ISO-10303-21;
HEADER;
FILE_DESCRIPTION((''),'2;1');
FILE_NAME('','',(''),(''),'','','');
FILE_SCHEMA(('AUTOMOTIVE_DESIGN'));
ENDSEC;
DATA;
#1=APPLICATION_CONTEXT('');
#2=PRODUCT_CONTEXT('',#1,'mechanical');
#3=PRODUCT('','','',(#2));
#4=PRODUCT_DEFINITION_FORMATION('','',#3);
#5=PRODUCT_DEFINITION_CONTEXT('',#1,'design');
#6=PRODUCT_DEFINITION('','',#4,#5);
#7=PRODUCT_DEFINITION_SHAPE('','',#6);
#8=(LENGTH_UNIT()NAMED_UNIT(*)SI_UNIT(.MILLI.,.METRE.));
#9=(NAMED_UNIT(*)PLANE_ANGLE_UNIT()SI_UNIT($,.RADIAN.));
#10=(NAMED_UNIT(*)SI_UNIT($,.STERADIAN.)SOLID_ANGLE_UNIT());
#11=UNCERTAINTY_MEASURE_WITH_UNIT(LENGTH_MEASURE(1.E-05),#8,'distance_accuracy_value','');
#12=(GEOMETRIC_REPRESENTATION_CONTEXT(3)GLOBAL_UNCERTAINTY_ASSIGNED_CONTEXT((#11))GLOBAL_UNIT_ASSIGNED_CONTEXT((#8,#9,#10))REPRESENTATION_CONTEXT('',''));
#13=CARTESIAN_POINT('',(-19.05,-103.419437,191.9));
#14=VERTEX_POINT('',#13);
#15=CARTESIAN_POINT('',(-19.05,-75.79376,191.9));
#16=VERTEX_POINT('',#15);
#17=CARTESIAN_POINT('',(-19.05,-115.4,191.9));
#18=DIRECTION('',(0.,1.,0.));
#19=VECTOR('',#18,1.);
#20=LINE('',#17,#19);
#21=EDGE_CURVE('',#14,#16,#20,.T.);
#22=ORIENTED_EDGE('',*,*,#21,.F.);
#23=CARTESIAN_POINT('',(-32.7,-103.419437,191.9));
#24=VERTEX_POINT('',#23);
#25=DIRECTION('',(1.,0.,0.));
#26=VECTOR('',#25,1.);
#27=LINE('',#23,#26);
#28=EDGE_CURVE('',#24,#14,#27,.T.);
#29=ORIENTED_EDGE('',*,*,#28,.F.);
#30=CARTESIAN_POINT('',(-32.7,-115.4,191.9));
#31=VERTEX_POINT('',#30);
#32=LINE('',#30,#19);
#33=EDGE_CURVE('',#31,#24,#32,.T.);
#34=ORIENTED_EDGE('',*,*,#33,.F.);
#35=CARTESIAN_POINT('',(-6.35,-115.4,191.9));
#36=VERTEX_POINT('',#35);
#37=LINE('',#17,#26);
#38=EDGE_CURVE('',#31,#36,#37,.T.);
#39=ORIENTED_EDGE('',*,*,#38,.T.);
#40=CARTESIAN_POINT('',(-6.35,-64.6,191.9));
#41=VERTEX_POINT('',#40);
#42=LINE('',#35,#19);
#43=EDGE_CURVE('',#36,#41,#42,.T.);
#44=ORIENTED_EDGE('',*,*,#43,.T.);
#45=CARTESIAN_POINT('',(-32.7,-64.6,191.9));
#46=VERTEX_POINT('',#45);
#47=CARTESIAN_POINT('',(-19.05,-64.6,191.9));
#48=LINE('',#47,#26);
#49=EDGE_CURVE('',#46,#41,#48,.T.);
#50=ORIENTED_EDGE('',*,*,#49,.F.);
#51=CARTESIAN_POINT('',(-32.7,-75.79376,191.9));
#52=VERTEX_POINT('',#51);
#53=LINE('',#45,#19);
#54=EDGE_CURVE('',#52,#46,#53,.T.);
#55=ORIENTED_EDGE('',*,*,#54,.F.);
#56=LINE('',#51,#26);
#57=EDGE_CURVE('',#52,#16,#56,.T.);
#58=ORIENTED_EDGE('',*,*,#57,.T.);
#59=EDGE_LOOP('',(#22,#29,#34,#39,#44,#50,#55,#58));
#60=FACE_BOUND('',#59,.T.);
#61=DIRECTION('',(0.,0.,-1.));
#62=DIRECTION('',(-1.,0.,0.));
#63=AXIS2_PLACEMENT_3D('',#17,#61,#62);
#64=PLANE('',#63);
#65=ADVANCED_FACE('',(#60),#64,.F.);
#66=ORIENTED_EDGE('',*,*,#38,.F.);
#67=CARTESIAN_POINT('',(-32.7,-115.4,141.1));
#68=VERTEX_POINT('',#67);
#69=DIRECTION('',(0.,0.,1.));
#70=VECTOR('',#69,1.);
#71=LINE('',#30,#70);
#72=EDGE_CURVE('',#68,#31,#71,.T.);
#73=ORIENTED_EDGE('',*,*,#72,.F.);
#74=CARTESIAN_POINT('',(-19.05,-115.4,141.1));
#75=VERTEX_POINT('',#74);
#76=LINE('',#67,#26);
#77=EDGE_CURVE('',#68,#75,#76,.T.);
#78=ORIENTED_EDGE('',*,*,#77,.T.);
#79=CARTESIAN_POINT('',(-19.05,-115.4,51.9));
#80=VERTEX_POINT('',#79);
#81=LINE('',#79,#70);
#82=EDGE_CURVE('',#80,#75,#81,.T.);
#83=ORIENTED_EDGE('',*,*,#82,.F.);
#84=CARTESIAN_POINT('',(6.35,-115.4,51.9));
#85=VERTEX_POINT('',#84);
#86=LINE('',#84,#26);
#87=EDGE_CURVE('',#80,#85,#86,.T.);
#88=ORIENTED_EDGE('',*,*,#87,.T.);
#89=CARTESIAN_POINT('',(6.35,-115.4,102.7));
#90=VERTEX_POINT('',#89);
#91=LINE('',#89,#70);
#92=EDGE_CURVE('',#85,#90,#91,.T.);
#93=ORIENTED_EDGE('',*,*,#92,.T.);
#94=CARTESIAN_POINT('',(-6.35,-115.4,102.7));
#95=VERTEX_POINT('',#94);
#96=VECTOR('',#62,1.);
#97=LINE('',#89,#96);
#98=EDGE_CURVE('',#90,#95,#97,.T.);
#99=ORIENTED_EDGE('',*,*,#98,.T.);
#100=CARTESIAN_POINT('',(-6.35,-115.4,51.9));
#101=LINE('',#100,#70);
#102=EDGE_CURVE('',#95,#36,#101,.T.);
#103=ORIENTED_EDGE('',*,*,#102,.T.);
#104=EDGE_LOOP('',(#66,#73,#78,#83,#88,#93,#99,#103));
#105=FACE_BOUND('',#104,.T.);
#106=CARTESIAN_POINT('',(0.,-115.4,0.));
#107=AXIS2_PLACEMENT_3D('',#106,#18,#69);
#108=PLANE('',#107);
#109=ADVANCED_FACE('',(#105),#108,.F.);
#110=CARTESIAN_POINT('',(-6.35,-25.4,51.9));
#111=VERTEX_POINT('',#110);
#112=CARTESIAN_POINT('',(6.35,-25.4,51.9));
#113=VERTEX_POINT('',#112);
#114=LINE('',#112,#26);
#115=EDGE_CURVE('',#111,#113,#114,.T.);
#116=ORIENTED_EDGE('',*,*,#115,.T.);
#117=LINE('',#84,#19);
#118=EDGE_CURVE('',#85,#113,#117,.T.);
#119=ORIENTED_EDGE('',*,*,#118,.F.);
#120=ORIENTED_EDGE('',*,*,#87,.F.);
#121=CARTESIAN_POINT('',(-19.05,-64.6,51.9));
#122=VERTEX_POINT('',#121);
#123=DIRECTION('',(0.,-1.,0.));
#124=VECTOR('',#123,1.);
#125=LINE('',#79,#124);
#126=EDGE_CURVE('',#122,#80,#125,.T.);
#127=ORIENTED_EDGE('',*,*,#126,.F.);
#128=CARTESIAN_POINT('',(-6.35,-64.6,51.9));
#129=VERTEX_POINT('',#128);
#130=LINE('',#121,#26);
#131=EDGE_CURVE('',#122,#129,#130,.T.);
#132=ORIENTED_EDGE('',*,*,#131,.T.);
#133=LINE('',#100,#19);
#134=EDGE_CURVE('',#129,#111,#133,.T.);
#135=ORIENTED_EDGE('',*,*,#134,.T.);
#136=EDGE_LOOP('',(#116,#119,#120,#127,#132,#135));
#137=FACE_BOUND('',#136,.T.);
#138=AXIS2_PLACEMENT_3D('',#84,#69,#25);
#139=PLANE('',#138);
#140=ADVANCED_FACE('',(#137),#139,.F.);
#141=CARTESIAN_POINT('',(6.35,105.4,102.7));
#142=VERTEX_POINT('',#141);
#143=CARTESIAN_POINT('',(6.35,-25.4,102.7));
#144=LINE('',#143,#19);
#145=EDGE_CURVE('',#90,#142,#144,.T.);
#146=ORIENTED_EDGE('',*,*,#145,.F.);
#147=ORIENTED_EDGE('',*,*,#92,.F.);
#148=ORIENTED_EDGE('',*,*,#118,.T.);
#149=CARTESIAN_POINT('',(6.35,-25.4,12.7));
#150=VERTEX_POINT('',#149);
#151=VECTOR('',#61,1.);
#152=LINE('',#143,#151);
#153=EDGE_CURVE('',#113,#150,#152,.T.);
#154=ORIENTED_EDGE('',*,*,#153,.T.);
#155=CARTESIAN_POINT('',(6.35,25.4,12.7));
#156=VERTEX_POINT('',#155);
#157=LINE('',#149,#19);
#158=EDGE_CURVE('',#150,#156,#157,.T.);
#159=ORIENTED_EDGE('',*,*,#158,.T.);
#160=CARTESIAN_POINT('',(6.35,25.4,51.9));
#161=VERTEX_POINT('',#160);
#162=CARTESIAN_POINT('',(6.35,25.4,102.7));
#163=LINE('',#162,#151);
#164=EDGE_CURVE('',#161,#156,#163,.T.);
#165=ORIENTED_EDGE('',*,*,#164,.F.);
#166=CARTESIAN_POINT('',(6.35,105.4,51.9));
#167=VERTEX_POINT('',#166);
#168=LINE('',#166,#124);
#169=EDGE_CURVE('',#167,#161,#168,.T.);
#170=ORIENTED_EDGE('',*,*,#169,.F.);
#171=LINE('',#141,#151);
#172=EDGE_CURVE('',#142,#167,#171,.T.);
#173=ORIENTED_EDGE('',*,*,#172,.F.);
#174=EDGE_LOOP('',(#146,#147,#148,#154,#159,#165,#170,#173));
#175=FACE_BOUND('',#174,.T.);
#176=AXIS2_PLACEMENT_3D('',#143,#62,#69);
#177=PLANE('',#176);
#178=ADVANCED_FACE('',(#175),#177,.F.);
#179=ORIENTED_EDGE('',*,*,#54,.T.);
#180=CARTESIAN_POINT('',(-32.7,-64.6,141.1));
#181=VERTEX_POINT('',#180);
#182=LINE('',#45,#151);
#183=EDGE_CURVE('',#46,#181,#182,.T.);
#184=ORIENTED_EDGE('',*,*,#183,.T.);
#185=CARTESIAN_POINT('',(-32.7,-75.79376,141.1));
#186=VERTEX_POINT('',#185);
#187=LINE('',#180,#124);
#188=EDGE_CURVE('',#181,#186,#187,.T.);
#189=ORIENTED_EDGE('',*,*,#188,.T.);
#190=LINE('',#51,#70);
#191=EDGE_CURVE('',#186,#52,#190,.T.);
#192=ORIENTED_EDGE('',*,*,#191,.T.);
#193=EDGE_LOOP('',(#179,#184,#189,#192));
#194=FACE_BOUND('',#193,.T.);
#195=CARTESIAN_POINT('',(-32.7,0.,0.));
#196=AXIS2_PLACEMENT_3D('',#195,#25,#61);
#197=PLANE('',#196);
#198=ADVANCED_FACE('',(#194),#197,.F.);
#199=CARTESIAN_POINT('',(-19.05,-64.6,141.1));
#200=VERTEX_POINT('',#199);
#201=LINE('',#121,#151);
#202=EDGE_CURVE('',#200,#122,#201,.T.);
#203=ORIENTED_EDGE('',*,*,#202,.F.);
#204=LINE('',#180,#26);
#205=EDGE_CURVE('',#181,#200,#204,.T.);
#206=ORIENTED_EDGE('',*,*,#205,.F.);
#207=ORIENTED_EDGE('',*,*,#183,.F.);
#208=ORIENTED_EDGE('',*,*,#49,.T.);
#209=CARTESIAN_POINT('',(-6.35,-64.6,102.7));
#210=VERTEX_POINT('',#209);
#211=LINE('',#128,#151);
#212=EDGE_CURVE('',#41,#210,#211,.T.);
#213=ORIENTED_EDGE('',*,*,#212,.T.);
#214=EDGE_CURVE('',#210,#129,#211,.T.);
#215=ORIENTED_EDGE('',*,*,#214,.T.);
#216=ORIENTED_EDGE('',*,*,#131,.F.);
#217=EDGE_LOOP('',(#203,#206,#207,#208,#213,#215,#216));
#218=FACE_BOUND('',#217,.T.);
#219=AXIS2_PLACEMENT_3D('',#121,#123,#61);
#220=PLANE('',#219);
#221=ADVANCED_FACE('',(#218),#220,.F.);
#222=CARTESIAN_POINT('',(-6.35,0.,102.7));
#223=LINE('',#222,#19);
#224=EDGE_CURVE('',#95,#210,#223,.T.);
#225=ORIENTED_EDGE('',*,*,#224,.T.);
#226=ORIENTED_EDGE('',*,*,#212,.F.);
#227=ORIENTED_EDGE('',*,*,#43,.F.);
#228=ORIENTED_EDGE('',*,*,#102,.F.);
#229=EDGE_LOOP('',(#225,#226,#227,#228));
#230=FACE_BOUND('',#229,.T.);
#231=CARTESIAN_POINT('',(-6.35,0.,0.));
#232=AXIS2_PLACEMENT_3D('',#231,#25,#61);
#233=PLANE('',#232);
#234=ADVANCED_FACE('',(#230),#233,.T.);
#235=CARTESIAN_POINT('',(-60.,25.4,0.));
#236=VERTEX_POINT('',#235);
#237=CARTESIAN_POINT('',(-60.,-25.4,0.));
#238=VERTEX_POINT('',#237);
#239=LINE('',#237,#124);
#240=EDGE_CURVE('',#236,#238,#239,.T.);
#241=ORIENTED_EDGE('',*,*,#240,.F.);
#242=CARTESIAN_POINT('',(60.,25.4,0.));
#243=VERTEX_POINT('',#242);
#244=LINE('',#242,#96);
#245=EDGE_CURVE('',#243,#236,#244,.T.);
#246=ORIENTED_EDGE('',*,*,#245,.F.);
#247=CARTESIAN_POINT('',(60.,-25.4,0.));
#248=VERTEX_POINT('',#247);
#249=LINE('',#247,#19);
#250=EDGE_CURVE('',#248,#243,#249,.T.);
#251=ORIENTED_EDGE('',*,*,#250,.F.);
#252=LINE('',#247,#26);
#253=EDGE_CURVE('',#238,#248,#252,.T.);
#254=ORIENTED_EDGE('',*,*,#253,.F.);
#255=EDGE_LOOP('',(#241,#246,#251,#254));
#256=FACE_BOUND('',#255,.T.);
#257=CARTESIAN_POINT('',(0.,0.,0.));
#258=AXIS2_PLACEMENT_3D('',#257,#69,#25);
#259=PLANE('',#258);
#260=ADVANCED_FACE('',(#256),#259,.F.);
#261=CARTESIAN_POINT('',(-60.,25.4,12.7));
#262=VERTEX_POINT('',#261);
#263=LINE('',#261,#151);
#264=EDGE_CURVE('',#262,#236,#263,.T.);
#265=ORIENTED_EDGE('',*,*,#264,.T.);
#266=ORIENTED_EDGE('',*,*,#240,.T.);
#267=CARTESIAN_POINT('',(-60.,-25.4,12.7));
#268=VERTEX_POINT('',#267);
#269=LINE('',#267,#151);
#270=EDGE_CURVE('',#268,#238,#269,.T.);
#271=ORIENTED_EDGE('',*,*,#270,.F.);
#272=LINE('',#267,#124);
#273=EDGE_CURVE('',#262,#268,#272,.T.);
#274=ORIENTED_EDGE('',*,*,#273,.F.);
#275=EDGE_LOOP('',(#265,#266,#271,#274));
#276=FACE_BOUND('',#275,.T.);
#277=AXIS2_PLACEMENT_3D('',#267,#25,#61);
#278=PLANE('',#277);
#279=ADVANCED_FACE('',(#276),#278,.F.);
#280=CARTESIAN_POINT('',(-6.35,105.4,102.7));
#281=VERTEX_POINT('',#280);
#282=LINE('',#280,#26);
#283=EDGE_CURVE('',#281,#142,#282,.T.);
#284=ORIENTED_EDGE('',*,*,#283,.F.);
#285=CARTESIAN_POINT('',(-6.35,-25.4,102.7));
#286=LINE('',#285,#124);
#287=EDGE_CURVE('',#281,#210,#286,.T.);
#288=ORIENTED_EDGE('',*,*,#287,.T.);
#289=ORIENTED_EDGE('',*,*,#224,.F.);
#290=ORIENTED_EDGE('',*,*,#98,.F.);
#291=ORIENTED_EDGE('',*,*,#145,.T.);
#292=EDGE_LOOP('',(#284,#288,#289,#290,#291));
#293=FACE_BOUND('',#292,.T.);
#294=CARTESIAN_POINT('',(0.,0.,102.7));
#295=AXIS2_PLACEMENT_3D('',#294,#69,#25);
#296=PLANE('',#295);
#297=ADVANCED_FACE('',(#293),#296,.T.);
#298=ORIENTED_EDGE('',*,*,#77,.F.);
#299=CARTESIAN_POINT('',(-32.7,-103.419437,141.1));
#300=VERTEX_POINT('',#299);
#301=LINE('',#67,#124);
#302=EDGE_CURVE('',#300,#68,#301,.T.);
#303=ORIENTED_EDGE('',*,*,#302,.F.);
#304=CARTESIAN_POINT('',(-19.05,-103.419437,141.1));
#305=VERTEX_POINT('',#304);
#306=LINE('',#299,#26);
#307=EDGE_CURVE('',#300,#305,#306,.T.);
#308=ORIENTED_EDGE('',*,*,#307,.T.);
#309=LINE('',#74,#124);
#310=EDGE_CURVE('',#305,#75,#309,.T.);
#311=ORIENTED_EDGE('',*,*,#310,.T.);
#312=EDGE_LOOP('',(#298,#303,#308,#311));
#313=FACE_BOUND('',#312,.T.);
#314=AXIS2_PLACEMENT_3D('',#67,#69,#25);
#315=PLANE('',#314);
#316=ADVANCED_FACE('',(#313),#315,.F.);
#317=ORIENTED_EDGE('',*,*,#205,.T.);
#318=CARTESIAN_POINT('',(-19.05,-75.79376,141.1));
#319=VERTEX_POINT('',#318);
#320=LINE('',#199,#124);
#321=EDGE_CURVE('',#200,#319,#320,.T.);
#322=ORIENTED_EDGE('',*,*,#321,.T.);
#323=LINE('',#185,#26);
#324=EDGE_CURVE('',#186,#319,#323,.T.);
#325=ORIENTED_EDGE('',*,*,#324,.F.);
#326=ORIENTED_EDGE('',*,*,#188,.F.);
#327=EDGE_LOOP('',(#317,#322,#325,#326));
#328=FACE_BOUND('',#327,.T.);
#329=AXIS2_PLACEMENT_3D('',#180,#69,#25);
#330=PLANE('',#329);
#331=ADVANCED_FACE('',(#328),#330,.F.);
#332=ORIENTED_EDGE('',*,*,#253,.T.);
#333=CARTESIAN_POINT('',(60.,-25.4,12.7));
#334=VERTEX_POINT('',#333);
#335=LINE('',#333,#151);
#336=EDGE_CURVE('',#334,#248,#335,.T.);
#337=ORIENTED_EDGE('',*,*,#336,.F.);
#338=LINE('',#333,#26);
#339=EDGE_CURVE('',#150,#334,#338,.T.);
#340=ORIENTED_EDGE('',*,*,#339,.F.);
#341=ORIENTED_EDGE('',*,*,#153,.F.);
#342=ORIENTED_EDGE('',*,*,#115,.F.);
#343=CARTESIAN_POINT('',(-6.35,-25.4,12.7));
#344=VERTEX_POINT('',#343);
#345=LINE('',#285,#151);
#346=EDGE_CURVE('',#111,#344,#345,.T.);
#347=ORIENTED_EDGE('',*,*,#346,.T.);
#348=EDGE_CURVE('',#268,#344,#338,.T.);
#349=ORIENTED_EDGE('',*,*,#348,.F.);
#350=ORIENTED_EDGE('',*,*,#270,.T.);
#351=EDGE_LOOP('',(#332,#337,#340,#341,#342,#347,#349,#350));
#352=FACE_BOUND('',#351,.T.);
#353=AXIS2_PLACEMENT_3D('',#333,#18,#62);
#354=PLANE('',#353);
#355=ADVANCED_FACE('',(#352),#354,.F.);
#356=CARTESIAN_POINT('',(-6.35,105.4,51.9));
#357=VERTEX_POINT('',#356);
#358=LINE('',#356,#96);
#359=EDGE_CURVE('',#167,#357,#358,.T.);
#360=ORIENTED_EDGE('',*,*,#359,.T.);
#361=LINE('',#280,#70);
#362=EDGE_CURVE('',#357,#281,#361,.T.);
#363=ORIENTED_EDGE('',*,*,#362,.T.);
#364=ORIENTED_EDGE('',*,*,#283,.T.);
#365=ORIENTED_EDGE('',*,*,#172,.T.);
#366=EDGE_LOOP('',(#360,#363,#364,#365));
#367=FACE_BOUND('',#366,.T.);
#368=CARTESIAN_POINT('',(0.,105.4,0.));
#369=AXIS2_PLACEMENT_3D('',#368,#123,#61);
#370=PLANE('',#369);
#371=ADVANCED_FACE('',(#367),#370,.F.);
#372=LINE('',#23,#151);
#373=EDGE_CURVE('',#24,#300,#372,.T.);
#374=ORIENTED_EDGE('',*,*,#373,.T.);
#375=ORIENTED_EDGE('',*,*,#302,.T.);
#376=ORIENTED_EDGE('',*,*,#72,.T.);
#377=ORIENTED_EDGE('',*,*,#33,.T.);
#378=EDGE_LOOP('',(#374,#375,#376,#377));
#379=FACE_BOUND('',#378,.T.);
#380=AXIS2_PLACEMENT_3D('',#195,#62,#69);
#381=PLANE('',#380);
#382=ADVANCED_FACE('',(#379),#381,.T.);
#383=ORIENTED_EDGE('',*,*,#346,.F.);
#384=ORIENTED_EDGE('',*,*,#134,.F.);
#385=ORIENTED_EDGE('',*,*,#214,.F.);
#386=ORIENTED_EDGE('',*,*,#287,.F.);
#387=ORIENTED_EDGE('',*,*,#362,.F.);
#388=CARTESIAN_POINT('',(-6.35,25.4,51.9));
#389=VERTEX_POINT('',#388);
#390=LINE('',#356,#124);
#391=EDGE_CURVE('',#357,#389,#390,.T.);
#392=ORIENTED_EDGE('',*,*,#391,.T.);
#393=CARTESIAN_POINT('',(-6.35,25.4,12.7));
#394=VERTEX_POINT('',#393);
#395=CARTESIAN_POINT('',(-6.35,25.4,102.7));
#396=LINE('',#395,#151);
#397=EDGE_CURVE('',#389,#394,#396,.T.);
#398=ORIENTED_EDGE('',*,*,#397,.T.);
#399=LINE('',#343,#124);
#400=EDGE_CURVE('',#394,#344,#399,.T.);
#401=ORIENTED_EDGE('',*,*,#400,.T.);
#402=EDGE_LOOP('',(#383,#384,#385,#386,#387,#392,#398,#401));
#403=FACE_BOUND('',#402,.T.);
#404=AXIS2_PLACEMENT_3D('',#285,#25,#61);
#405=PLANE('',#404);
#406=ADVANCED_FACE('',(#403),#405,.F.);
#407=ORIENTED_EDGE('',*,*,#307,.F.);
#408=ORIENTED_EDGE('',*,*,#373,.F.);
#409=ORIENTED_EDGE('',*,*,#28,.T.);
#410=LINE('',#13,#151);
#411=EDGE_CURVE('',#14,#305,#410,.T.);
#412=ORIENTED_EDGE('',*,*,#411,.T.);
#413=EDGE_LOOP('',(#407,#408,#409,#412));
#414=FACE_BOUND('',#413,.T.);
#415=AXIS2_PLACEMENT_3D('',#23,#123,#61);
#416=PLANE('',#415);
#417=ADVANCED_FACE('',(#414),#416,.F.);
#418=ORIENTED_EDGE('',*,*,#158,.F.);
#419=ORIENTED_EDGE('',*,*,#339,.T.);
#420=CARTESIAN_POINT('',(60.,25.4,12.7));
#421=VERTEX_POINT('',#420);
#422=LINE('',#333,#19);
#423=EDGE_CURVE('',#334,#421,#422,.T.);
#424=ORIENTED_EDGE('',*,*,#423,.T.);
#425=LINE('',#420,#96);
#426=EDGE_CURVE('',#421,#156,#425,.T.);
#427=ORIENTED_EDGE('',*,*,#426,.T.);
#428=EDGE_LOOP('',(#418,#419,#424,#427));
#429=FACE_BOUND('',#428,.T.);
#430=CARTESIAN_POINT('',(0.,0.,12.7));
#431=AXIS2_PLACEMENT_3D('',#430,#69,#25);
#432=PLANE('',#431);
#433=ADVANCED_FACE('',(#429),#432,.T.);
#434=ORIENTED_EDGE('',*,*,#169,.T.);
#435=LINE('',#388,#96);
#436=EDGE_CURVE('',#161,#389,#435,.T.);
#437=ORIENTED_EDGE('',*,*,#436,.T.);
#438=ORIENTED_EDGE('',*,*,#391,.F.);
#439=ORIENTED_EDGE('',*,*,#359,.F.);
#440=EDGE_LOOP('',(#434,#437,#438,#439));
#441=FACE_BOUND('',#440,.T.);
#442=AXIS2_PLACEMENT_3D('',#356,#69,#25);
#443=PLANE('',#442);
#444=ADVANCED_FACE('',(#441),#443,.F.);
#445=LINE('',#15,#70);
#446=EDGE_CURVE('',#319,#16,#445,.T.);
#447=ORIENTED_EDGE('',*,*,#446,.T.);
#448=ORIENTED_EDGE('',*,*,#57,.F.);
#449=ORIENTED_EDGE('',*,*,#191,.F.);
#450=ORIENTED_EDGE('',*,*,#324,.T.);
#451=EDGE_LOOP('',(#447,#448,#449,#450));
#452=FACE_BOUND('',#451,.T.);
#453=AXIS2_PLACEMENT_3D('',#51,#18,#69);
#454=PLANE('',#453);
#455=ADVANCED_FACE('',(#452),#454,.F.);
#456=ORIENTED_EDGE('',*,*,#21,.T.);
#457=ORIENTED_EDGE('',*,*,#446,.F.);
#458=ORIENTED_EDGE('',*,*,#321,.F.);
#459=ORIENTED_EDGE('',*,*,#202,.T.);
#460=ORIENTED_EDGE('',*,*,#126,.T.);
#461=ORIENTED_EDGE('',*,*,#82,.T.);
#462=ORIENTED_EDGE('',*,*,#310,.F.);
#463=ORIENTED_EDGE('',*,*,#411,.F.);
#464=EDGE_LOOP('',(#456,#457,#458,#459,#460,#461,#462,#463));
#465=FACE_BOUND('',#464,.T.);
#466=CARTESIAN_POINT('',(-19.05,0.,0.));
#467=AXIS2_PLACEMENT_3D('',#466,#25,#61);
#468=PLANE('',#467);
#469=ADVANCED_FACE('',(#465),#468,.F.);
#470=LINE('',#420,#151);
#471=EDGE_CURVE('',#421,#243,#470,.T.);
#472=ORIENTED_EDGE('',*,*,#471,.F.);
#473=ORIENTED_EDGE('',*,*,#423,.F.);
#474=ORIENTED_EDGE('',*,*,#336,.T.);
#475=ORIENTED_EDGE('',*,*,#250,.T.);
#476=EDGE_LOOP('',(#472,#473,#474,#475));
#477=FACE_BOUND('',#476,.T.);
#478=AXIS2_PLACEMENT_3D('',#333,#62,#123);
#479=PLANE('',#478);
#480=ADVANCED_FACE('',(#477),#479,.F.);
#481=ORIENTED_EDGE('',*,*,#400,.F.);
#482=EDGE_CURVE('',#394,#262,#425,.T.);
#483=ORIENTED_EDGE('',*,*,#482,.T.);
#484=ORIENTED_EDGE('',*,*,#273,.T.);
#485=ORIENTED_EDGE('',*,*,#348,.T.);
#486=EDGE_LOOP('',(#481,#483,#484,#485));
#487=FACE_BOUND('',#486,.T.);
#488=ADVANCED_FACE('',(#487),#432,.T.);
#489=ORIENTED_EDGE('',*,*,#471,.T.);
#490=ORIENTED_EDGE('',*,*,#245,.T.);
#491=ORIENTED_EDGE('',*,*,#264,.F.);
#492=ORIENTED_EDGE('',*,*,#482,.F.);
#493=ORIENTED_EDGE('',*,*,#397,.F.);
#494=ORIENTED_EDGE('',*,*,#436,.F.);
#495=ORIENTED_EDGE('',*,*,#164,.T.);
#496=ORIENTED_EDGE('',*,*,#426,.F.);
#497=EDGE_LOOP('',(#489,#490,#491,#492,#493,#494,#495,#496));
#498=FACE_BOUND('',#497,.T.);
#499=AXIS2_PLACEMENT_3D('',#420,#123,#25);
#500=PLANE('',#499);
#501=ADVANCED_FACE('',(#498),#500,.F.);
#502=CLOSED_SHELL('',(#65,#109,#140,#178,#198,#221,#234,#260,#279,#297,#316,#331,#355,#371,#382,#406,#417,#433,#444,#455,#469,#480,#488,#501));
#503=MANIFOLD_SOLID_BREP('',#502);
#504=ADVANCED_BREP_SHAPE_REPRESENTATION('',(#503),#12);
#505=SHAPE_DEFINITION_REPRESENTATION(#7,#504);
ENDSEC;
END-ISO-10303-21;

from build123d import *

# Parameters (mm, degrees)
CROQUIS1_W              = 120
CROQUIS1_H              = 50.8
SALIENTE_EXTRUIR1_DEPTH = 12.7
CROQUIS2_W              = 12.7
CROQUIS2_H              = 50.8
SALIENTE_EXTRUIR2_DEPTH = 90
CROQUIS3_W              = 12.7
CROQUIS3_H              = 50.8
SALIENTE_EXTRUIR3_DEPTH = 90
CROQUIS4_W              = 140
CROQUIS4_H              = 50.8
SALIENTE_EXTRUIR4_DEPTH = 12.7
CROQUIS5_W              = 50.8
CROQUIS5_H              = 11.980562802
CROQUIS5_H_2            = 11.193759738
SALIENTE_EXTRUIR5_DEPTH = 13.65
CROQUIS6_W              = 12.7
CROQUIS6_H              = 50.8
SALIENTE_EXTRUIR6_DEPTH = 80


with BuildPart() as part:
    # Croquis1 → Saliente-Extruir1 (new body)
    with BuildSketch(Plane.XY):
        Rectangle(CROQUIS1_W, CROQUIS1_H)
    extrude(amount=SALIENTE_EXTRUIR1_DEPTH)

    # Croquis2 → Saliente-Extruir2 (add)
    with BuildSketch(Plane.XY.offset(12.7)):
        Rectangle(CROQUIS2_W, CROQUIS2_H)
    extrude(amount=SALIENTE_EXTRUIR2_DEPTH)

    # Croquis3 → Saliente-Extruir3 (add)
    with BuildSketch(Plane.XZ.offset(25.4)):
        with Locations((0, 77.3)):
            Rectangle(CROQUIS3_W, CROQUIS3_H)
    extrude(amount=SALIENTE_EXTRUIR3_DEPTH)

    # Croquis4 → Saliente-Extruir4 (add)
    with BuildSketch(Plane.ZY.offset(6.35)):
        with Locations((121.9, -90)):
            Rectangle(CROQUIS4_W, CROQUIS4_H)
    extrude(amount=SALIENTE_EXTRUIR4_DEPTH)

    # Croquis5 → Saliente-Extruir5 (add)
    with BuildSketch(Plane.ZY.offset(19.05)):
        with Locations((166.5, -109.409718599)):
            Rectangle(CROQUIS5_W, CROQUIS5_H)
        with Locations((166.5, -70.196879869)):
            Rectangle(CROQUIS5_W, CROQUIS5_H_2)
    extrude(amount=SALIENTE_EXTRUIR5_DEPTH)

    # Croquis6 → Saliente-Extruir6 (add)
    with BuildSketch(Plane(origin=(0, 25.4, 0), x_dir=(1, 0, 0), z_dir=(0, 1, 0))):
        with Locations((0, -77.3)):
            Rectangle(CROQUIS6_W, CROQUIS6_H)
    extrude(amount=SALIENTE_EXTRUIR6_DEPTH)


solid = part.part
